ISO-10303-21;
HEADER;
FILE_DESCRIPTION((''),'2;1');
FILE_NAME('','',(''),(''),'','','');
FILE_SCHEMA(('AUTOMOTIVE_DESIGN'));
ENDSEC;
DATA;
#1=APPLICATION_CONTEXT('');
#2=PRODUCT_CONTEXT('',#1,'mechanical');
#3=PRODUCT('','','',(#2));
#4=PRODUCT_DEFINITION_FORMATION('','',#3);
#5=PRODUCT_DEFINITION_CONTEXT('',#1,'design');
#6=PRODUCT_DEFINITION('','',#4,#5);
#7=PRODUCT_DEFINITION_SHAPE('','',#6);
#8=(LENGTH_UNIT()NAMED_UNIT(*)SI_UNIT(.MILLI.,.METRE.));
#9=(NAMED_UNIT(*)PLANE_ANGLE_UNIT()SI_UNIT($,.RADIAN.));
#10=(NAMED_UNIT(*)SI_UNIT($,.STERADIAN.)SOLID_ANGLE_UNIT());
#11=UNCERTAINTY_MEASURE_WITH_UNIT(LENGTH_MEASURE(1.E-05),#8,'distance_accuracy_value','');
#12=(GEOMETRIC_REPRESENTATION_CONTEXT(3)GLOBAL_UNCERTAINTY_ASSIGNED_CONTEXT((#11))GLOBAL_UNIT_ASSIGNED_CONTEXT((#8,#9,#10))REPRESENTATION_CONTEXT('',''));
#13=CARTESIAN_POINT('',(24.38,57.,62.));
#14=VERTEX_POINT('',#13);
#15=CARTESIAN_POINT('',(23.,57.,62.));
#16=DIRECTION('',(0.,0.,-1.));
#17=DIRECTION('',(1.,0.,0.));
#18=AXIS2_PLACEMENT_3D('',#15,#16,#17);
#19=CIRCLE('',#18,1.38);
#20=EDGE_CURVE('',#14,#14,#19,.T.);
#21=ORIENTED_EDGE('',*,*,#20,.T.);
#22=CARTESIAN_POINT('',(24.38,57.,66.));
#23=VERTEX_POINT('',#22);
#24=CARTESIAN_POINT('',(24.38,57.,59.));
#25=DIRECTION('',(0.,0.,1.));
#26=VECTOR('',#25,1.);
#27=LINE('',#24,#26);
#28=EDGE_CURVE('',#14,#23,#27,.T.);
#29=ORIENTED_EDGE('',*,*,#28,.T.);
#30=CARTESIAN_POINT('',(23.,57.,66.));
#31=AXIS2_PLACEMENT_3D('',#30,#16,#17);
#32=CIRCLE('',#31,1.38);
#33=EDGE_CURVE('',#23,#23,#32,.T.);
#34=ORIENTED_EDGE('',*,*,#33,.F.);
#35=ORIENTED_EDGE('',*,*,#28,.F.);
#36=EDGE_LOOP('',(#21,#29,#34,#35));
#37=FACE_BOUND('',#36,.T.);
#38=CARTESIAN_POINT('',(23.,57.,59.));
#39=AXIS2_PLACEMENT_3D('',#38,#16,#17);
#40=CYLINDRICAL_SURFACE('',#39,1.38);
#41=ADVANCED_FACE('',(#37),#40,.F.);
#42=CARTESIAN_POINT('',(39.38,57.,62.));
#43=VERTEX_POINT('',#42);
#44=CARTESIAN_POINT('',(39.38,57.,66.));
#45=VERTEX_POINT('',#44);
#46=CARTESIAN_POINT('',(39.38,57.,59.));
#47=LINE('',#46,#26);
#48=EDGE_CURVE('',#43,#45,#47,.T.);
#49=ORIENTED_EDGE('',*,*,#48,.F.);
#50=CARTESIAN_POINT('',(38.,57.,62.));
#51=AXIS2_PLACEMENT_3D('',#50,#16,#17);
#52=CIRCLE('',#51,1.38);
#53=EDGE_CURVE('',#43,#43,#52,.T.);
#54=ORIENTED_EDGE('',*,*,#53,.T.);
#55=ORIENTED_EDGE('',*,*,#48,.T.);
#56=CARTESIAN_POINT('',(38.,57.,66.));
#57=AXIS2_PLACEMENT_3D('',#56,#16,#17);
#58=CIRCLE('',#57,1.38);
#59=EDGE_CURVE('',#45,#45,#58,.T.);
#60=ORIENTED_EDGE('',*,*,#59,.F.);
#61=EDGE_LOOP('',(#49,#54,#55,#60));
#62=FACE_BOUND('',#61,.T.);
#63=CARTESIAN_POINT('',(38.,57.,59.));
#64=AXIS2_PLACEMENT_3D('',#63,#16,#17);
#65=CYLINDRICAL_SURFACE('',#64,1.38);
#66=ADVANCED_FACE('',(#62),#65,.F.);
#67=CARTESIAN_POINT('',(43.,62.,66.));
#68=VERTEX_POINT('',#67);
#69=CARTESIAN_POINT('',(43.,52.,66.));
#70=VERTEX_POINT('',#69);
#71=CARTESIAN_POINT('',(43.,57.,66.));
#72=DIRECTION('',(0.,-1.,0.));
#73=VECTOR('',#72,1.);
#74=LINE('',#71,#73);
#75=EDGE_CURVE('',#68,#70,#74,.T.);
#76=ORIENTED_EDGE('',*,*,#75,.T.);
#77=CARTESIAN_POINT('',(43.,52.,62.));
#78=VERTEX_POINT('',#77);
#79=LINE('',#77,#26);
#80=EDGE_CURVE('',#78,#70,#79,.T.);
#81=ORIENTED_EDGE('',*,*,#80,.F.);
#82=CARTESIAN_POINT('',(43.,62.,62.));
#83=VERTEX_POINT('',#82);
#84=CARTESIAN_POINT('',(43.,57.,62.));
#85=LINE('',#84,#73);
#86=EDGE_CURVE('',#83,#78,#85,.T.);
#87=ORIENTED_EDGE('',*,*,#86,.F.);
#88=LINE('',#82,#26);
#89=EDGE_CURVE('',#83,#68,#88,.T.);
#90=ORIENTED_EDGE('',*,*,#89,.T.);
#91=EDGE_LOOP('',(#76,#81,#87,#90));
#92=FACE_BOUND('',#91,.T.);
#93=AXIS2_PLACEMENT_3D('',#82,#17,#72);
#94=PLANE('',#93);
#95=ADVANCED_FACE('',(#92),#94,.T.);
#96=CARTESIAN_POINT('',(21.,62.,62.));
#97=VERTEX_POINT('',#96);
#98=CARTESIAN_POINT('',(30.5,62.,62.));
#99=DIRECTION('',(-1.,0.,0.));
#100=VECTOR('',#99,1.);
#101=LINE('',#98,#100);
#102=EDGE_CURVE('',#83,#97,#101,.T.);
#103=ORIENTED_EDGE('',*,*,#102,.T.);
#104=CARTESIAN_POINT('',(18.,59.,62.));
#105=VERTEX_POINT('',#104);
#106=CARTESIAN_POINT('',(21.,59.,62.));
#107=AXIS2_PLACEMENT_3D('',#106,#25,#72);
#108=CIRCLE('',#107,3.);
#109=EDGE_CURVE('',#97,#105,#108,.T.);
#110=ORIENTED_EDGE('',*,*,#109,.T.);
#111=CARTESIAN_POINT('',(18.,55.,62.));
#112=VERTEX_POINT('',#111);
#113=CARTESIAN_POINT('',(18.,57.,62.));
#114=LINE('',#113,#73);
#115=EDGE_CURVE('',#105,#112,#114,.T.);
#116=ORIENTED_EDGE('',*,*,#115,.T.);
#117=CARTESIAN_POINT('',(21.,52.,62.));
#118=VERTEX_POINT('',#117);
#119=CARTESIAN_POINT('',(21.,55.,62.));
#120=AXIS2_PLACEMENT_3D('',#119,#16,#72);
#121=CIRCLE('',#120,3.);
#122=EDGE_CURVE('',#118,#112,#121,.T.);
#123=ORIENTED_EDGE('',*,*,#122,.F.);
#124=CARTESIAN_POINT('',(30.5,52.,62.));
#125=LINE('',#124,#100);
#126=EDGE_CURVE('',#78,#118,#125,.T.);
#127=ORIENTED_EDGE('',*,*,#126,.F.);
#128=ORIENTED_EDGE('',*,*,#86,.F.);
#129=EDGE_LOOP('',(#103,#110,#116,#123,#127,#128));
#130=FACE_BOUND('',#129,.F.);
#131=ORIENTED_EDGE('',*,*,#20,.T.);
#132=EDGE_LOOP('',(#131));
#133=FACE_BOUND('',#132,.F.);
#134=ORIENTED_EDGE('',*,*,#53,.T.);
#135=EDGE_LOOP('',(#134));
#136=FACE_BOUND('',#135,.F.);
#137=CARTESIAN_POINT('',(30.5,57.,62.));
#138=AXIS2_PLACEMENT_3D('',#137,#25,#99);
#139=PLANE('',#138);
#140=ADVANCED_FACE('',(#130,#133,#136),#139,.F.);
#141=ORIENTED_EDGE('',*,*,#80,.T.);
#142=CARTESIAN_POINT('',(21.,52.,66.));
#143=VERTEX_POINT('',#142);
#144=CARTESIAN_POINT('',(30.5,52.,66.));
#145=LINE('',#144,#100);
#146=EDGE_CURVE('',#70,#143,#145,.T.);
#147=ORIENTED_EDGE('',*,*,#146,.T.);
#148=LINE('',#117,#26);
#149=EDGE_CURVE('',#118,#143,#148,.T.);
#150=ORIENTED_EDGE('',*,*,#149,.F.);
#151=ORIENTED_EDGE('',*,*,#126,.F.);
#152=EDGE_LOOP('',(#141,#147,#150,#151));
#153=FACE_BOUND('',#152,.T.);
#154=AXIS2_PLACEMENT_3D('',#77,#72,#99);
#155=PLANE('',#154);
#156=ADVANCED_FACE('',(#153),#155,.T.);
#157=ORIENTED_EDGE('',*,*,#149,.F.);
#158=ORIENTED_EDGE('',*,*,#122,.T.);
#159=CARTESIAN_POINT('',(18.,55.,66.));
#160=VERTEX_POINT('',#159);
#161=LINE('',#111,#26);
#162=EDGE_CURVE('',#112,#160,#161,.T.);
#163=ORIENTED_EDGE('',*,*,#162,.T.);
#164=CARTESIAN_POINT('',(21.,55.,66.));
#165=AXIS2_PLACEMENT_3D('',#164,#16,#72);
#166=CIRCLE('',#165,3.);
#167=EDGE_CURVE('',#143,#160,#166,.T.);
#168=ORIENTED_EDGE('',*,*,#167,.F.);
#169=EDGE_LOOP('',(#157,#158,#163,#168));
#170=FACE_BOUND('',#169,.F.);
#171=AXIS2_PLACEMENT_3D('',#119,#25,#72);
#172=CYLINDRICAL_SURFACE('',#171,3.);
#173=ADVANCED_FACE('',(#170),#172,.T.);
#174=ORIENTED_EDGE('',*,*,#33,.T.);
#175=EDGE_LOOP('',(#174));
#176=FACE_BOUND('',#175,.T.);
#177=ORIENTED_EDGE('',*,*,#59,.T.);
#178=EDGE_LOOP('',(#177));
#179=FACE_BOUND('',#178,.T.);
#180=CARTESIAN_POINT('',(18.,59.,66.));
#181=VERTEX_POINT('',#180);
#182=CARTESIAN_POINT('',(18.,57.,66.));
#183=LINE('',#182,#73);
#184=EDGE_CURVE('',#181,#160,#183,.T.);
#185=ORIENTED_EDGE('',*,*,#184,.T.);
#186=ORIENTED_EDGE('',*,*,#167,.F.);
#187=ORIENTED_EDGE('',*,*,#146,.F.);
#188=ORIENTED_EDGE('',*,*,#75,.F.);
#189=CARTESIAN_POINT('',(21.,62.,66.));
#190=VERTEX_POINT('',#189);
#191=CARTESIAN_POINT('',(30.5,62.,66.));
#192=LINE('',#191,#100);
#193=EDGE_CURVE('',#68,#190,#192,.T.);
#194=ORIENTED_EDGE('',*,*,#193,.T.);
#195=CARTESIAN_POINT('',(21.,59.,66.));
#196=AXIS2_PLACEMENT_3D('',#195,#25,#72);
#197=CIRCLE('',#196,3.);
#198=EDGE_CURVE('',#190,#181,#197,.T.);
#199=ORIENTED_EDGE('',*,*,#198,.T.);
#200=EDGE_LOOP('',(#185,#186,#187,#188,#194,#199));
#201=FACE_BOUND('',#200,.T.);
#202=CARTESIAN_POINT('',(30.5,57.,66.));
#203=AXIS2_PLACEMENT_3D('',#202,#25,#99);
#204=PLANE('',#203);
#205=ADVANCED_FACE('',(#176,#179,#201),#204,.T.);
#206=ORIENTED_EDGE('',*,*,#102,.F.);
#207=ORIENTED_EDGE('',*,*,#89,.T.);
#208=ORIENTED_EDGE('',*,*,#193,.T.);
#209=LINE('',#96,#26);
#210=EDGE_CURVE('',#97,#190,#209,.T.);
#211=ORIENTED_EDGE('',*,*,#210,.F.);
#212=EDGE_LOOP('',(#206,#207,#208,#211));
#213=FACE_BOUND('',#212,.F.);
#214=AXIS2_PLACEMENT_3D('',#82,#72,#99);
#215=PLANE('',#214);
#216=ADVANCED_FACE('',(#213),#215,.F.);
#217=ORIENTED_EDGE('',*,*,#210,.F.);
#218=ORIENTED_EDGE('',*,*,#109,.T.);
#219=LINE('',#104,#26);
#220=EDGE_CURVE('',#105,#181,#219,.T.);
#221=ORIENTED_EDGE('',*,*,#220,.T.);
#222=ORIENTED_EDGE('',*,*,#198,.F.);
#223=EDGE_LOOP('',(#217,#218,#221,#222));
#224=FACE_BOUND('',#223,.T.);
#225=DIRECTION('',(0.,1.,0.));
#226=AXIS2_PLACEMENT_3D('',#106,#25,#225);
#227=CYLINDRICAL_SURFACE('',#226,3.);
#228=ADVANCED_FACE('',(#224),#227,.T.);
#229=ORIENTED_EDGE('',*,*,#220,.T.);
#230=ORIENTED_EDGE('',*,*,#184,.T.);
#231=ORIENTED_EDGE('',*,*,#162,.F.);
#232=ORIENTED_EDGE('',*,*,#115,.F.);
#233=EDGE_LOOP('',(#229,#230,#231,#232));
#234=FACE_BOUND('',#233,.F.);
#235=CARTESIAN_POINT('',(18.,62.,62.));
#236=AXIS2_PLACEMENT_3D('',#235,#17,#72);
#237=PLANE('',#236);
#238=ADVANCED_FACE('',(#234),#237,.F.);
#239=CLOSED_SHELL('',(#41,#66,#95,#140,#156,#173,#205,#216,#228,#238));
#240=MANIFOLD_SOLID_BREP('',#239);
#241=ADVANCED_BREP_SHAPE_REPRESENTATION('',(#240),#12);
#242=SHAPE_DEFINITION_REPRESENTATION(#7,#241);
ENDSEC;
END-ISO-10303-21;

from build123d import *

# Parameters (mm, degrees)
CYLINDER043_R     = 1.38
CYLINDER043_DEPTH = 10
CYLINDER042_R     = 1.38
CYLINDER042_DEPTH = 10
BOX025_W          = 25
BOX025_H          = 10
BOX025_DEPTH      = 4
FILLET_R          = 3


with BuildPart() as cylinder043:
    # Cylinder043 → Cylinder043 (new body)
    with BuildSketch(Plane(origin=(25, 52, 59), x_dir=(1, 0, 0), z_dir=(0, 0, 1))):
        Circle(CYLINDER043_R)
    extrude(amount=CYLINDER043_DEPTH)


with BuildPart() as cylinder042:
    # Cylinder042 → Cylinder042 (new body)
    with BuildSketch(Plane(origin=(40, 52, 59), x_dir=(1, 0, 0), z_dir=(0, 0, 1))):
        Circle(CYLINDER042_R)
    extrude(amount=CYLINDER042_DEPTH)


with BuildPart() as fillet_body:
    # Box025 → Box025 (new body)
    with BuildSketch(Plane(origin=(45, 57, 62), x_dir=(-1, 0, 0), z_dir=(0, 0, 1))):
        with Locations((12.5, 5)):
            Rectangle(BOX025_W, BOX025_H)
    extrude(amount=BOX025_DEPTH)

    # Cut022: cut Cylinder042
    add(cylinder042.part, mode=Mode.SUBTRACT)

    # Cut023: cut Cylinder043
    add(cylinder043.part, mode=Mode.SUBTRACT)

    # Fillet
    fillet_edges = [fillet_body.edges().sort_by_distance(p)[0] for p in [
        (20, 57, 64),
        (20, 47, 64),
    ]]
    fillet(fillet_edges, radius=FILLET_R)


with BuildPart() as fillet_body_1:
    # Fillet placement: moved
    add(fillet_body.part.moved(Location((-2, 5, 0))))


solid = fillet_body_1.part
